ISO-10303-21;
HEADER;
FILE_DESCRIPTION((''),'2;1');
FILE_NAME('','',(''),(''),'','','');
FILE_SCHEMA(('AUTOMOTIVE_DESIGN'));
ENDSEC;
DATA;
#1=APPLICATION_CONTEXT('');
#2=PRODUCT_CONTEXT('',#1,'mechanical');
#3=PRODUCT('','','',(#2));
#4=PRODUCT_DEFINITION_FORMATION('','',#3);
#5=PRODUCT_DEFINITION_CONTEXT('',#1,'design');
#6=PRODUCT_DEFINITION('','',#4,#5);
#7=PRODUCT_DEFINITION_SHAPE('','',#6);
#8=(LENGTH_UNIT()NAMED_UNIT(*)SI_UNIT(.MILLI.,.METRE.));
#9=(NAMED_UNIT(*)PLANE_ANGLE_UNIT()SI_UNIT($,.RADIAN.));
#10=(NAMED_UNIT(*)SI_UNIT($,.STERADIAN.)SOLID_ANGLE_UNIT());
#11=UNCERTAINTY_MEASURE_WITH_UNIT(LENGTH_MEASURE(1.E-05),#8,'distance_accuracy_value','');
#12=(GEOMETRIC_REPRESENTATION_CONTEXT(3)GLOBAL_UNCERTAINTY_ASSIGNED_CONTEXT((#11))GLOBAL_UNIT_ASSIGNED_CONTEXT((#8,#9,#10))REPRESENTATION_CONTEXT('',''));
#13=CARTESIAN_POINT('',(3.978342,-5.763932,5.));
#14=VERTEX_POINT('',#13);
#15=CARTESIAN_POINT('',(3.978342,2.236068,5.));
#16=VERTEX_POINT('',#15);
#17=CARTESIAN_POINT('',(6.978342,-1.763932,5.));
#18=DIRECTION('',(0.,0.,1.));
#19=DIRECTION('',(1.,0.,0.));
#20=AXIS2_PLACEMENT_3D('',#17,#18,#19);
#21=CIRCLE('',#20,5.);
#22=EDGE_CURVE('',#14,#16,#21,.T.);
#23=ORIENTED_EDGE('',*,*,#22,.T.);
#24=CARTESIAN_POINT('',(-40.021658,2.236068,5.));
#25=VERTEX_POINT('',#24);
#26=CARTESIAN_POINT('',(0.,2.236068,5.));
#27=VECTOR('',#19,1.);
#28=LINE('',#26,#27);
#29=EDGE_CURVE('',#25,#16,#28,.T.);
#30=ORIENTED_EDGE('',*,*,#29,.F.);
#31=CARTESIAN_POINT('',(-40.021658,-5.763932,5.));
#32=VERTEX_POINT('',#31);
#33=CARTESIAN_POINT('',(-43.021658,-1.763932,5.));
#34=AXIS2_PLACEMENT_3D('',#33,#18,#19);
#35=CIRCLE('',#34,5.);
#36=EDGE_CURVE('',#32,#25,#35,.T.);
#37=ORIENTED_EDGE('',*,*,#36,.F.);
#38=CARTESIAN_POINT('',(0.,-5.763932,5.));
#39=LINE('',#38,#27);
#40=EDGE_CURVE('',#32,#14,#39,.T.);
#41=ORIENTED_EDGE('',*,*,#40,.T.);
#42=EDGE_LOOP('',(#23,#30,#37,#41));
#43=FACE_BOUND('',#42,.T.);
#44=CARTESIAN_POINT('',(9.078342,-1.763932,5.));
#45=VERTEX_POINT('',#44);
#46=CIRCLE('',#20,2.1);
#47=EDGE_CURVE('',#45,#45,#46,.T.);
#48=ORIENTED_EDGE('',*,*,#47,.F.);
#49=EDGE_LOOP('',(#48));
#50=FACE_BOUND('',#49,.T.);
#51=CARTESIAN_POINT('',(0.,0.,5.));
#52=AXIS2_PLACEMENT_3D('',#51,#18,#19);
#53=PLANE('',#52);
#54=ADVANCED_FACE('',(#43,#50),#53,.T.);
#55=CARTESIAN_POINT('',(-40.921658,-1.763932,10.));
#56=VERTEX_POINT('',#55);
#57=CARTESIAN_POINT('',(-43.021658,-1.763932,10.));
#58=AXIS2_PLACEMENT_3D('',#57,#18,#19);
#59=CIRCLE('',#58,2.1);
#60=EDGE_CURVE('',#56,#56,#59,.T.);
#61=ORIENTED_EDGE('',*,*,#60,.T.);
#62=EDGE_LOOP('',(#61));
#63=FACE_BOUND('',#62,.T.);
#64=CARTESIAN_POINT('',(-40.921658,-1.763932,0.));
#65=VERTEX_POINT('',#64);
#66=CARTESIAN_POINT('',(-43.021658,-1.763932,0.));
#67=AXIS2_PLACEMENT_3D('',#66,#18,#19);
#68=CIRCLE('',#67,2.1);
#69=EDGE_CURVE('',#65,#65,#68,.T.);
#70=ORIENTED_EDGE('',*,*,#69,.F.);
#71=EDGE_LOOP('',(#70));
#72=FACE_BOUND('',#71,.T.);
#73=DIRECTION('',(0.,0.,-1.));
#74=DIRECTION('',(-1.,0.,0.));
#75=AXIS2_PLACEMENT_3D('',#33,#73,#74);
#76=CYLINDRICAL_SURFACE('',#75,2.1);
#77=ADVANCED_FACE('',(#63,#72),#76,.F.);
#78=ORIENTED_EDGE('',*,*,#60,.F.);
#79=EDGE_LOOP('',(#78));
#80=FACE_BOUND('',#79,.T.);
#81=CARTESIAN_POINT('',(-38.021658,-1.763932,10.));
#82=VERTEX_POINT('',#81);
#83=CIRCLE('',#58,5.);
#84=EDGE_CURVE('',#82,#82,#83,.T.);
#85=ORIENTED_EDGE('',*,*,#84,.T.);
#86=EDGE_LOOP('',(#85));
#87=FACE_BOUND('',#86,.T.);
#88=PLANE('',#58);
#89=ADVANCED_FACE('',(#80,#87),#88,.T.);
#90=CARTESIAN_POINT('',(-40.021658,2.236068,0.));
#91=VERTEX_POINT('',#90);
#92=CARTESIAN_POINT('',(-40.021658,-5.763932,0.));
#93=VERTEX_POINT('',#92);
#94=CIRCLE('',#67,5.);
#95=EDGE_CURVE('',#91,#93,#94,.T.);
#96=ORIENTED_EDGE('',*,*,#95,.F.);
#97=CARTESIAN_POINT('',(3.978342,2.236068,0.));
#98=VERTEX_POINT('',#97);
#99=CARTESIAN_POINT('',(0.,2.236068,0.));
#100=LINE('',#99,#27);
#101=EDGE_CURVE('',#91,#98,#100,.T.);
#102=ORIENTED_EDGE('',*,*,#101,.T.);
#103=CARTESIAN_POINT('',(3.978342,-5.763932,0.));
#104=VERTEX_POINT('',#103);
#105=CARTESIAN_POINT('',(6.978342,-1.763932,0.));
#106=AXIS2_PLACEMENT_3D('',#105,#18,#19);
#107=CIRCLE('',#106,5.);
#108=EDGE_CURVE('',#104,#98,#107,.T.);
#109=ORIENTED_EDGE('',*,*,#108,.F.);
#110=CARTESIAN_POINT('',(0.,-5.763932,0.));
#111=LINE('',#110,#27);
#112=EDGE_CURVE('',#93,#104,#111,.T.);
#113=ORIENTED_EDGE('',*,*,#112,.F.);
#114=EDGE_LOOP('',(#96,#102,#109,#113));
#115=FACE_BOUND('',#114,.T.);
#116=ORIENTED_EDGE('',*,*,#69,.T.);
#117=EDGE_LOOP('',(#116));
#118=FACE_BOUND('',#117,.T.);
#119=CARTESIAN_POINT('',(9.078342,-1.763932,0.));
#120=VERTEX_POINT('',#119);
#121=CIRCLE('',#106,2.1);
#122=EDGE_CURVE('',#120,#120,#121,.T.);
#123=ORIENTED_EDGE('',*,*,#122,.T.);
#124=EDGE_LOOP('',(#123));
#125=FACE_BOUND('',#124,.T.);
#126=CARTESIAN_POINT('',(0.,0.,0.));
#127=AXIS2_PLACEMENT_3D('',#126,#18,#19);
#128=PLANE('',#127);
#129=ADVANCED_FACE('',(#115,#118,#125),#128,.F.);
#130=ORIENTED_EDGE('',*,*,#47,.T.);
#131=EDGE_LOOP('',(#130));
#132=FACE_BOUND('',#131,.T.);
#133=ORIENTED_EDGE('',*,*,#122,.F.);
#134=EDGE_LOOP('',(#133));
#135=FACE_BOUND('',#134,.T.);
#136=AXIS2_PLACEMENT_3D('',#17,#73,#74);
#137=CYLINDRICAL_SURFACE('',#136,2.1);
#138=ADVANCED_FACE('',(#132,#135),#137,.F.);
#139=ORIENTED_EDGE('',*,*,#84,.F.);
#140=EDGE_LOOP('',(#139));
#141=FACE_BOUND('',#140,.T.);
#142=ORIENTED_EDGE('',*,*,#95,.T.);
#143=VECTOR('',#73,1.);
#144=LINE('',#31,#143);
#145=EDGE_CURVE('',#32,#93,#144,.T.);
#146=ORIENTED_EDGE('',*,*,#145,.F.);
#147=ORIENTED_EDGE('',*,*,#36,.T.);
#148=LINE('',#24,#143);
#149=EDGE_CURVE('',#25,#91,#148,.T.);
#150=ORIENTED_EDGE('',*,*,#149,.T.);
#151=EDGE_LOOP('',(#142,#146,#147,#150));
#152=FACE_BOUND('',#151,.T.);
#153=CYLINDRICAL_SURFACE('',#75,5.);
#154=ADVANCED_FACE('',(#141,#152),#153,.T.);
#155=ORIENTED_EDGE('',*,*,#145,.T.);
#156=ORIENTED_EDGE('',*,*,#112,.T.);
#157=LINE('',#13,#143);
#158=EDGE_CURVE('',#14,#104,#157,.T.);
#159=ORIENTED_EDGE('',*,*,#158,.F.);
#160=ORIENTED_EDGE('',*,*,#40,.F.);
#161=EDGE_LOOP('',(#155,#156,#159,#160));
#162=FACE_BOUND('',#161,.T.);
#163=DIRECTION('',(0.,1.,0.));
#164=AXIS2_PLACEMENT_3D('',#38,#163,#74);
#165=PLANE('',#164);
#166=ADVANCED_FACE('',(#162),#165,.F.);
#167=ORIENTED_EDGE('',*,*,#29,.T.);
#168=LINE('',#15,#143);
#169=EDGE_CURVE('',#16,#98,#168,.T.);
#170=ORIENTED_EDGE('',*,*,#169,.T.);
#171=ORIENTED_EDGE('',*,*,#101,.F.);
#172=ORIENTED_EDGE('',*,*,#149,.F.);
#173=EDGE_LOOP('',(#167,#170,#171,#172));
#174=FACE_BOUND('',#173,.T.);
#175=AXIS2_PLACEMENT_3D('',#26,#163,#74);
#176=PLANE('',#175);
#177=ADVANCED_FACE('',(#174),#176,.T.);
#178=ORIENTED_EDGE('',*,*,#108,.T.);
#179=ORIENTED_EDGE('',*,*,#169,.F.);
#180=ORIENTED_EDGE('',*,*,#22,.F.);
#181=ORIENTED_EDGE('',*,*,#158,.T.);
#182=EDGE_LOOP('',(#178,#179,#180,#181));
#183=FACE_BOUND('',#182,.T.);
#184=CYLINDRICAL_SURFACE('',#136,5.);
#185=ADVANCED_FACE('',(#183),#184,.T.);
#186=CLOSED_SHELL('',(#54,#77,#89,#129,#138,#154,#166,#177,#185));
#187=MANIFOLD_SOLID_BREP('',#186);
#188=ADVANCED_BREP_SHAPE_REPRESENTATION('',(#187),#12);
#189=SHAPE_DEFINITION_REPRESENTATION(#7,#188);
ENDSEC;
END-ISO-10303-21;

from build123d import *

# Parameters (mm, degrees)
SKETCH2_R           = 2.1
BOSS_EXTRUDE1_DEPTH = 5
SKETCH3_R           = 5
SKETCH3_R_2         = 2.1
BOSS_EXTRUDE2_DEPTH = 5


with BuildPart() as part:
    # Sketch2 → Boss-Extrude1 (new body)
    with BuildSketch(Plane.XY):
        with BuildLine():
            ThreePointArc((-40.021658011, 2.236067977), (-48.021658011, -1.763932023), (-40.021658011, -5.763932023))
            Line((-40.021658011, -5.763932023), (-40.021658011, 2.236067977))
        make_face()
        with Locations((-43.021658011, -1.763932023)):
            Circle(SKETCH2_R, mode=Mode.SUBTRACT)
        with BuildLine():
            Line((-40.021658011, 2.236067977), (-40.021658011, -5.763932023))
            ThreePointArc((-40.021658011, -5.763932023), (-38.549522056, -4), (-38.021658011, -1.763932023))
            ThreePointArc((-38.021658011, -1.763932023), (-38.549522056, 0.472135955), (-40.021658011, 2.236067977))
        make_face()
        with BuildLine():
            ThreePointArc((-38.021658011, -1.763932023), (-38.549522056, -4), (-40.021658011, -5.763932023))
            Line((-40.021658011, -5.763932023), (3.978341989, -5.763932023))
            ThreePointArc((3.978341989, -5.763932023), (1.978341989, -1.763932023), (3.978341989, 2.236067977))
            Line((3.978341989, 2.236067977), (-40.021658011, 2.236067977))
            ThreePointArc((-40.021658011, 2.236067977), (-38.549522056, 0.472135955), (-38.021658011, -1.763932023))
        make_face()
        with BuildLine():
            Line((3.978341989, 2.236067977), (3.978341989, -5.763932023))
            ThreePointArc((3.978341989, -5.763932023), (9.214409967, -6.236067977), (11.978341989, -1.763932023))
            ThreePointArc((11.978341989, -1.763932023), (9.214409967, 2.708203932), (3.978341989, 2.236067977))
        make_face()
        with Locations((6.978341989, -1.763932023)):
            Circle(SKETCH2_R, mode=Mode.SUBTRACT)
        with BuildLine():
            ThreePointArc((3.978341989, 2.236067977), (1.978341989, -1.763932023), (3.978341989, -5.763932023))
            Line((3.978341989, -5.763932023), (3.978341989, 2.236067977))
        make_face()
    extrude(amount=BOSS_EXTRUDE1_DEPTH)

    # Sketch3 → Boss-Extrude2 (add)
    with BuildSketch(Plane.XY.offset(5)):
        with Locations((-43.021658011, -1.763932023)):
            Circle(SKETCH3_R)
        with Locations((-43.021658011, -1.763932023)):
            Circle(SKETCH3_R_2, mode=Mode.SUBTRACT)
    extrude(amount=BOSS_EXTRUDE2_DEPTH)


solid = part.part
